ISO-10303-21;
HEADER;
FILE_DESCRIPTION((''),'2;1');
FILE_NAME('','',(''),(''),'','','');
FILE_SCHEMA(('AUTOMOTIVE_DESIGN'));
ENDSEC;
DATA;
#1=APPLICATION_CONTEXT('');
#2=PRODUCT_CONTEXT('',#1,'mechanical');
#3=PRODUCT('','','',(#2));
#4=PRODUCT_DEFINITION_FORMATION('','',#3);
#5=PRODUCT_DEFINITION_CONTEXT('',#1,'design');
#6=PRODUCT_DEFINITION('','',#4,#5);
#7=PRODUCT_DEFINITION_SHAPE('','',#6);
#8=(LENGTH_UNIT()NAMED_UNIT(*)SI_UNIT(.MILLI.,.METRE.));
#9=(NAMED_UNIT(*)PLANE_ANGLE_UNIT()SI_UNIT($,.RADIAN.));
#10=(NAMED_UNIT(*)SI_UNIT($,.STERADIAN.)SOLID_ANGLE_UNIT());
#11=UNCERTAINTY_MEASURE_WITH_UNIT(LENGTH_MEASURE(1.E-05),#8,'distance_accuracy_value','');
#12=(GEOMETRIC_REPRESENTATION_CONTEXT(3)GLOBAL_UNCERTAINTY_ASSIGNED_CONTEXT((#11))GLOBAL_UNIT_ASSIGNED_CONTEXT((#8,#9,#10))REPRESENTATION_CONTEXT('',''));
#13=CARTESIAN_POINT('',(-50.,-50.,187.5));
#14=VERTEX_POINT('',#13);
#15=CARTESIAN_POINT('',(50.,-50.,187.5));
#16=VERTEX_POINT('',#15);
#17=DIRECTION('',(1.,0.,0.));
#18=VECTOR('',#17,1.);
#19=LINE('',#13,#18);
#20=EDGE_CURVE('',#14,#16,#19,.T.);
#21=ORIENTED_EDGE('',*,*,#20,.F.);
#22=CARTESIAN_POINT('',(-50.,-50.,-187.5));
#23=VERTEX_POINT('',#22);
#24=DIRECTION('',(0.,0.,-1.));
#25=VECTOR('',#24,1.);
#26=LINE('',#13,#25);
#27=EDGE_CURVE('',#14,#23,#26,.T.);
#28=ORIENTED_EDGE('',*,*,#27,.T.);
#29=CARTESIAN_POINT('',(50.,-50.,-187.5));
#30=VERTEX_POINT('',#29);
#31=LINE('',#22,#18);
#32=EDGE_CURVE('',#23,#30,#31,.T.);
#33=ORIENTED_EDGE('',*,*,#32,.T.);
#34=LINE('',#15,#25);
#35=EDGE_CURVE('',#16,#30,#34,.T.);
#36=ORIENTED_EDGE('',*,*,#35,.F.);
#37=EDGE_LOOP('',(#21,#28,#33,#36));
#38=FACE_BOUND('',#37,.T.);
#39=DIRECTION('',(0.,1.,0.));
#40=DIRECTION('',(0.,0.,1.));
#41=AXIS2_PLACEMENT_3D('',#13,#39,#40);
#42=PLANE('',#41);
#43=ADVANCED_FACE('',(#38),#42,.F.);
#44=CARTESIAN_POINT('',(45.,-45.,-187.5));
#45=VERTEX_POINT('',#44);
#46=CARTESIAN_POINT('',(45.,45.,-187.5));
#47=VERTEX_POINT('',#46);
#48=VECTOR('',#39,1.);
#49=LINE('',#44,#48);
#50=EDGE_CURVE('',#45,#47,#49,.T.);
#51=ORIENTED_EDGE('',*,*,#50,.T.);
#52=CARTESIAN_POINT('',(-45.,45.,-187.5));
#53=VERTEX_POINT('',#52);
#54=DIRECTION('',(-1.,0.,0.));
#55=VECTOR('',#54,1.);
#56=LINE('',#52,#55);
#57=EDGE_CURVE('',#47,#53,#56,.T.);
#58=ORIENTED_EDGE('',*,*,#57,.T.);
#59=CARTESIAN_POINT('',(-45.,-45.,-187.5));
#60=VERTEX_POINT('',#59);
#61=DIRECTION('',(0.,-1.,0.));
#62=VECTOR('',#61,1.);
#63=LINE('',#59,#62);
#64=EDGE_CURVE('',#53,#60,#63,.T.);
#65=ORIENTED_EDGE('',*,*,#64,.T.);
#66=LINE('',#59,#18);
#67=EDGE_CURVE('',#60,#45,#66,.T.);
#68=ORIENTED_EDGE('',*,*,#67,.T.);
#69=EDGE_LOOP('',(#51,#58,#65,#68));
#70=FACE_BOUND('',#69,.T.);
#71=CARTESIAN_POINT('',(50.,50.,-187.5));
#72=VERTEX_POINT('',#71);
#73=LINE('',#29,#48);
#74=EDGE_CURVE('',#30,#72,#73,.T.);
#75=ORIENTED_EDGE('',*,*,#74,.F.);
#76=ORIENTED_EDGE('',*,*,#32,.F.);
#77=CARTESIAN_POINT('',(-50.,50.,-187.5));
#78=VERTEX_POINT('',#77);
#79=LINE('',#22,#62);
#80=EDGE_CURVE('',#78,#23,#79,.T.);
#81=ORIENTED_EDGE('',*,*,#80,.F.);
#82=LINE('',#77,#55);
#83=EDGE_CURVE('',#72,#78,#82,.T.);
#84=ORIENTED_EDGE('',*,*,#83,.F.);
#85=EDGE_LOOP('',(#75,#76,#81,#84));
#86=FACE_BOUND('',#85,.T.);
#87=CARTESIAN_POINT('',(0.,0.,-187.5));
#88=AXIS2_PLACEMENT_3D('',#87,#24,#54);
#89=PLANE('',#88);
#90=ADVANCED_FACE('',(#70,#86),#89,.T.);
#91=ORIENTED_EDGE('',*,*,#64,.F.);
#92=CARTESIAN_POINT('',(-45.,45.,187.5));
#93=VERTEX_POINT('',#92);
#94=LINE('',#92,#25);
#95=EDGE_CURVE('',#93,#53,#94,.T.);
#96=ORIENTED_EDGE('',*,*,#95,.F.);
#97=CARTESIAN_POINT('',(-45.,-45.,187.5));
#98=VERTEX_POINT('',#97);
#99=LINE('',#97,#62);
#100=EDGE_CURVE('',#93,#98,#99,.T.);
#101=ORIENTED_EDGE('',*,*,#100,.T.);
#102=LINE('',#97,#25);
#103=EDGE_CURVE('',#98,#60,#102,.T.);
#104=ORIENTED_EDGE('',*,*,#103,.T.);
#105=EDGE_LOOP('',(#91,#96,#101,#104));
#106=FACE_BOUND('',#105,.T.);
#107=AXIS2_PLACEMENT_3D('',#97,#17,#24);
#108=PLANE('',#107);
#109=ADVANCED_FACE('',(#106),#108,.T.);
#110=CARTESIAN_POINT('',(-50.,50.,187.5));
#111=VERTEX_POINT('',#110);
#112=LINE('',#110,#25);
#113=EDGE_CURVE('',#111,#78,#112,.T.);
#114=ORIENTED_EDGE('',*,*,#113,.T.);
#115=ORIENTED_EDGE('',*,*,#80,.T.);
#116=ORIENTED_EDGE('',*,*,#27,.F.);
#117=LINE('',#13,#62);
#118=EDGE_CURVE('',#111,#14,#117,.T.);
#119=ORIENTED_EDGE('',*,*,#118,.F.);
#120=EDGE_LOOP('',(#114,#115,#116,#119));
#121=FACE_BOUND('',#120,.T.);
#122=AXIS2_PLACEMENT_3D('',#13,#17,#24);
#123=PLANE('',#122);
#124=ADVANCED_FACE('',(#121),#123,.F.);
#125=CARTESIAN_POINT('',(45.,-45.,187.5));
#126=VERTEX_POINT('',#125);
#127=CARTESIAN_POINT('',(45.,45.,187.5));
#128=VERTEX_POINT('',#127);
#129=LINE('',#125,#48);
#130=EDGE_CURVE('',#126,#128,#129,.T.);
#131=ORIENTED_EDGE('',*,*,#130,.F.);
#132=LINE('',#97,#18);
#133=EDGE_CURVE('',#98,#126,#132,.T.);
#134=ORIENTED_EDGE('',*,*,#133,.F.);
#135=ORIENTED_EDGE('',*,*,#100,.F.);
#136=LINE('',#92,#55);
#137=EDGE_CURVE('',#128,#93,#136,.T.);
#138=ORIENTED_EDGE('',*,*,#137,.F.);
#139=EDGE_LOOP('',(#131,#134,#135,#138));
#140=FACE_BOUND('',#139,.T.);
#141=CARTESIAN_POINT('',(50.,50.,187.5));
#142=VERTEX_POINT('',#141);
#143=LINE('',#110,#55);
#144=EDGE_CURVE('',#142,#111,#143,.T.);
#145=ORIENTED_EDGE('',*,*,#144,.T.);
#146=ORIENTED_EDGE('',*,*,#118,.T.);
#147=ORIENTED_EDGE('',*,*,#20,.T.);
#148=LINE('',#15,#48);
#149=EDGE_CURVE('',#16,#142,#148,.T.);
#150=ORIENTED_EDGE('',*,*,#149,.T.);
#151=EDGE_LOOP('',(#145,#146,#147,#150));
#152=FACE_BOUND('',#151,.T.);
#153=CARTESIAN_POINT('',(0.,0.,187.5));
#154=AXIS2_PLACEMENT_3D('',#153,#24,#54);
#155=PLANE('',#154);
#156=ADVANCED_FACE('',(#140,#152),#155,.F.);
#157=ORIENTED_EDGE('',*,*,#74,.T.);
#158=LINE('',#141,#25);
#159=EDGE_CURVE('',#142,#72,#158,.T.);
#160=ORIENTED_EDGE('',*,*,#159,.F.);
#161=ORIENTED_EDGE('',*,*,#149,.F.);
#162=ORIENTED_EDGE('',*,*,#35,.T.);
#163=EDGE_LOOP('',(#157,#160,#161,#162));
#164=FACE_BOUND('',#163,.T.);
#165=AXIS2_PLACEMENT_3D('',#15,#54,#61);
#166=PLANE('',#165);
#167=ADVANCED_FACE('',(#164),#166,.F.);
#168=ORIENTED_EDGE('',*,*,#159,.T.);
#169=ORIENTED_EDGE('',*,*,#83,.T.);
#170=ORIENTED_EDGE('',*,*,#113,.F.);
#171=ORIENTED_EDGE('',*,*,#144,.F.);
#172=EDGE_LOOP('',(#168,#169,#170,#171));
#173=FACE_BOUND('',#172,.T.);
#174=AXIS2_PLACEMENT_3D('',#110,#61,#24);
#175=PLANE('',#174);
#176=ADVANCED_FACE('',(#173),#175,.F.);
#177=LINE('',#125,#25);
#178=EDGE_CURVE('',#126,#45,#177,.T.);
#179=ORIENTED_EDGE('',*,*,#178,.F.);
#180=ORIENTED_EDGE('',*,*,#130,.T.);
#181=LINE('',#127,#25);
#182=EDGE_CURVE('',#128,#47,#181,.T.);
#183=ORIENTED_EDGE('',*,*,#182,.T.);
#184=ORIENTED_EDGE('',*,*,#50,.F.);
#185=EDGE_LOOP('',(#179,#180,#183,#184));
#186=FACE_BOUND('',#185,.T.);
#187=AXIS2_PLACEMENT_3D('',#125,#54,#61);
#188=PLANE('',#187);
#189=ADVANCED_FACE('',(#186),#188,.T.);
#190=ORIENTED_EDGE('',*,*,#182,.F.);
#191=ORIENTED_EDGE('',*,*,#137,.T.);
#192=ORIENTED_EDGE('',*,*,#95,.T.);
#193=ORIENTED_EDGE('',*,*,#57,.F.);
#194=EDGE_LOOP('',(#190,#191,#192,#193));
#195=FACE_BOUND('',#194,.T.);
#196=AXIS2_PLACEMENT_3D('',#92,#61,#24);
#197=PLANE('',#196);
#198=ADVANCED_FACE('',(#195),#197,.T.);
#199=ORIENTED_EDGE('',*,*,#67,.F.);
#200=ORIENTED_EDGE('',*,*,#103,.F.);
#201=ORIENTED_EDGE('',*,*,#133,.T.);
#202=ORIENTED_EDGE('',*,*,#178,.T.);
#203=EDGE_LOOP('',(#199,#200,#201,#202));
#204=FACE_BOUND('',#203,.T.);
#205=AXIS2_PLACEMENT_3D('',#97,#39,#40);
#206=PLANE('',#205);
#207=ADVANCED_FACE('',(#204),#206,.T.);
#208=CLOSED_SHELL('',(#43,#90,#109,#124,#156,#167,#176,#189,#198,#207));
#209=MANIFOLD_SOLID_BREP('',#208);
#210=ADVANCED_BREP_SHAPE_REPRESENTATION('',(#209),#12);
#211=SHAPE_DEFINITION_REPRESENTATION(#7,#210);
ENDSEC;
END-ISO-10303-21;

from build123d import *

# Parameters (mm, degrees)
SKETCH1_W           = 100
SKETCH1_H           = 100
SKETCH1_W_2         = 90
SKETCH1_H_2         = 90
BOSS_EXTRUDE1_DEPTH = 187.5


with BuildPart() as part:
    # Sketch1 → Boss-Extrude1 (new body, symmetric)
    with BuildSketch(Plane.XY):
        Rectangle(SKETCH1_W, SKETCH1_H)
        Rectangle(SKETCH1_W_2, SKETCH1_H_2, mode=Mode.SUBTRACT)
    extrude(amount=BOSS_EXTRUDE1_DEPTH, both=True)


solid = part.part
